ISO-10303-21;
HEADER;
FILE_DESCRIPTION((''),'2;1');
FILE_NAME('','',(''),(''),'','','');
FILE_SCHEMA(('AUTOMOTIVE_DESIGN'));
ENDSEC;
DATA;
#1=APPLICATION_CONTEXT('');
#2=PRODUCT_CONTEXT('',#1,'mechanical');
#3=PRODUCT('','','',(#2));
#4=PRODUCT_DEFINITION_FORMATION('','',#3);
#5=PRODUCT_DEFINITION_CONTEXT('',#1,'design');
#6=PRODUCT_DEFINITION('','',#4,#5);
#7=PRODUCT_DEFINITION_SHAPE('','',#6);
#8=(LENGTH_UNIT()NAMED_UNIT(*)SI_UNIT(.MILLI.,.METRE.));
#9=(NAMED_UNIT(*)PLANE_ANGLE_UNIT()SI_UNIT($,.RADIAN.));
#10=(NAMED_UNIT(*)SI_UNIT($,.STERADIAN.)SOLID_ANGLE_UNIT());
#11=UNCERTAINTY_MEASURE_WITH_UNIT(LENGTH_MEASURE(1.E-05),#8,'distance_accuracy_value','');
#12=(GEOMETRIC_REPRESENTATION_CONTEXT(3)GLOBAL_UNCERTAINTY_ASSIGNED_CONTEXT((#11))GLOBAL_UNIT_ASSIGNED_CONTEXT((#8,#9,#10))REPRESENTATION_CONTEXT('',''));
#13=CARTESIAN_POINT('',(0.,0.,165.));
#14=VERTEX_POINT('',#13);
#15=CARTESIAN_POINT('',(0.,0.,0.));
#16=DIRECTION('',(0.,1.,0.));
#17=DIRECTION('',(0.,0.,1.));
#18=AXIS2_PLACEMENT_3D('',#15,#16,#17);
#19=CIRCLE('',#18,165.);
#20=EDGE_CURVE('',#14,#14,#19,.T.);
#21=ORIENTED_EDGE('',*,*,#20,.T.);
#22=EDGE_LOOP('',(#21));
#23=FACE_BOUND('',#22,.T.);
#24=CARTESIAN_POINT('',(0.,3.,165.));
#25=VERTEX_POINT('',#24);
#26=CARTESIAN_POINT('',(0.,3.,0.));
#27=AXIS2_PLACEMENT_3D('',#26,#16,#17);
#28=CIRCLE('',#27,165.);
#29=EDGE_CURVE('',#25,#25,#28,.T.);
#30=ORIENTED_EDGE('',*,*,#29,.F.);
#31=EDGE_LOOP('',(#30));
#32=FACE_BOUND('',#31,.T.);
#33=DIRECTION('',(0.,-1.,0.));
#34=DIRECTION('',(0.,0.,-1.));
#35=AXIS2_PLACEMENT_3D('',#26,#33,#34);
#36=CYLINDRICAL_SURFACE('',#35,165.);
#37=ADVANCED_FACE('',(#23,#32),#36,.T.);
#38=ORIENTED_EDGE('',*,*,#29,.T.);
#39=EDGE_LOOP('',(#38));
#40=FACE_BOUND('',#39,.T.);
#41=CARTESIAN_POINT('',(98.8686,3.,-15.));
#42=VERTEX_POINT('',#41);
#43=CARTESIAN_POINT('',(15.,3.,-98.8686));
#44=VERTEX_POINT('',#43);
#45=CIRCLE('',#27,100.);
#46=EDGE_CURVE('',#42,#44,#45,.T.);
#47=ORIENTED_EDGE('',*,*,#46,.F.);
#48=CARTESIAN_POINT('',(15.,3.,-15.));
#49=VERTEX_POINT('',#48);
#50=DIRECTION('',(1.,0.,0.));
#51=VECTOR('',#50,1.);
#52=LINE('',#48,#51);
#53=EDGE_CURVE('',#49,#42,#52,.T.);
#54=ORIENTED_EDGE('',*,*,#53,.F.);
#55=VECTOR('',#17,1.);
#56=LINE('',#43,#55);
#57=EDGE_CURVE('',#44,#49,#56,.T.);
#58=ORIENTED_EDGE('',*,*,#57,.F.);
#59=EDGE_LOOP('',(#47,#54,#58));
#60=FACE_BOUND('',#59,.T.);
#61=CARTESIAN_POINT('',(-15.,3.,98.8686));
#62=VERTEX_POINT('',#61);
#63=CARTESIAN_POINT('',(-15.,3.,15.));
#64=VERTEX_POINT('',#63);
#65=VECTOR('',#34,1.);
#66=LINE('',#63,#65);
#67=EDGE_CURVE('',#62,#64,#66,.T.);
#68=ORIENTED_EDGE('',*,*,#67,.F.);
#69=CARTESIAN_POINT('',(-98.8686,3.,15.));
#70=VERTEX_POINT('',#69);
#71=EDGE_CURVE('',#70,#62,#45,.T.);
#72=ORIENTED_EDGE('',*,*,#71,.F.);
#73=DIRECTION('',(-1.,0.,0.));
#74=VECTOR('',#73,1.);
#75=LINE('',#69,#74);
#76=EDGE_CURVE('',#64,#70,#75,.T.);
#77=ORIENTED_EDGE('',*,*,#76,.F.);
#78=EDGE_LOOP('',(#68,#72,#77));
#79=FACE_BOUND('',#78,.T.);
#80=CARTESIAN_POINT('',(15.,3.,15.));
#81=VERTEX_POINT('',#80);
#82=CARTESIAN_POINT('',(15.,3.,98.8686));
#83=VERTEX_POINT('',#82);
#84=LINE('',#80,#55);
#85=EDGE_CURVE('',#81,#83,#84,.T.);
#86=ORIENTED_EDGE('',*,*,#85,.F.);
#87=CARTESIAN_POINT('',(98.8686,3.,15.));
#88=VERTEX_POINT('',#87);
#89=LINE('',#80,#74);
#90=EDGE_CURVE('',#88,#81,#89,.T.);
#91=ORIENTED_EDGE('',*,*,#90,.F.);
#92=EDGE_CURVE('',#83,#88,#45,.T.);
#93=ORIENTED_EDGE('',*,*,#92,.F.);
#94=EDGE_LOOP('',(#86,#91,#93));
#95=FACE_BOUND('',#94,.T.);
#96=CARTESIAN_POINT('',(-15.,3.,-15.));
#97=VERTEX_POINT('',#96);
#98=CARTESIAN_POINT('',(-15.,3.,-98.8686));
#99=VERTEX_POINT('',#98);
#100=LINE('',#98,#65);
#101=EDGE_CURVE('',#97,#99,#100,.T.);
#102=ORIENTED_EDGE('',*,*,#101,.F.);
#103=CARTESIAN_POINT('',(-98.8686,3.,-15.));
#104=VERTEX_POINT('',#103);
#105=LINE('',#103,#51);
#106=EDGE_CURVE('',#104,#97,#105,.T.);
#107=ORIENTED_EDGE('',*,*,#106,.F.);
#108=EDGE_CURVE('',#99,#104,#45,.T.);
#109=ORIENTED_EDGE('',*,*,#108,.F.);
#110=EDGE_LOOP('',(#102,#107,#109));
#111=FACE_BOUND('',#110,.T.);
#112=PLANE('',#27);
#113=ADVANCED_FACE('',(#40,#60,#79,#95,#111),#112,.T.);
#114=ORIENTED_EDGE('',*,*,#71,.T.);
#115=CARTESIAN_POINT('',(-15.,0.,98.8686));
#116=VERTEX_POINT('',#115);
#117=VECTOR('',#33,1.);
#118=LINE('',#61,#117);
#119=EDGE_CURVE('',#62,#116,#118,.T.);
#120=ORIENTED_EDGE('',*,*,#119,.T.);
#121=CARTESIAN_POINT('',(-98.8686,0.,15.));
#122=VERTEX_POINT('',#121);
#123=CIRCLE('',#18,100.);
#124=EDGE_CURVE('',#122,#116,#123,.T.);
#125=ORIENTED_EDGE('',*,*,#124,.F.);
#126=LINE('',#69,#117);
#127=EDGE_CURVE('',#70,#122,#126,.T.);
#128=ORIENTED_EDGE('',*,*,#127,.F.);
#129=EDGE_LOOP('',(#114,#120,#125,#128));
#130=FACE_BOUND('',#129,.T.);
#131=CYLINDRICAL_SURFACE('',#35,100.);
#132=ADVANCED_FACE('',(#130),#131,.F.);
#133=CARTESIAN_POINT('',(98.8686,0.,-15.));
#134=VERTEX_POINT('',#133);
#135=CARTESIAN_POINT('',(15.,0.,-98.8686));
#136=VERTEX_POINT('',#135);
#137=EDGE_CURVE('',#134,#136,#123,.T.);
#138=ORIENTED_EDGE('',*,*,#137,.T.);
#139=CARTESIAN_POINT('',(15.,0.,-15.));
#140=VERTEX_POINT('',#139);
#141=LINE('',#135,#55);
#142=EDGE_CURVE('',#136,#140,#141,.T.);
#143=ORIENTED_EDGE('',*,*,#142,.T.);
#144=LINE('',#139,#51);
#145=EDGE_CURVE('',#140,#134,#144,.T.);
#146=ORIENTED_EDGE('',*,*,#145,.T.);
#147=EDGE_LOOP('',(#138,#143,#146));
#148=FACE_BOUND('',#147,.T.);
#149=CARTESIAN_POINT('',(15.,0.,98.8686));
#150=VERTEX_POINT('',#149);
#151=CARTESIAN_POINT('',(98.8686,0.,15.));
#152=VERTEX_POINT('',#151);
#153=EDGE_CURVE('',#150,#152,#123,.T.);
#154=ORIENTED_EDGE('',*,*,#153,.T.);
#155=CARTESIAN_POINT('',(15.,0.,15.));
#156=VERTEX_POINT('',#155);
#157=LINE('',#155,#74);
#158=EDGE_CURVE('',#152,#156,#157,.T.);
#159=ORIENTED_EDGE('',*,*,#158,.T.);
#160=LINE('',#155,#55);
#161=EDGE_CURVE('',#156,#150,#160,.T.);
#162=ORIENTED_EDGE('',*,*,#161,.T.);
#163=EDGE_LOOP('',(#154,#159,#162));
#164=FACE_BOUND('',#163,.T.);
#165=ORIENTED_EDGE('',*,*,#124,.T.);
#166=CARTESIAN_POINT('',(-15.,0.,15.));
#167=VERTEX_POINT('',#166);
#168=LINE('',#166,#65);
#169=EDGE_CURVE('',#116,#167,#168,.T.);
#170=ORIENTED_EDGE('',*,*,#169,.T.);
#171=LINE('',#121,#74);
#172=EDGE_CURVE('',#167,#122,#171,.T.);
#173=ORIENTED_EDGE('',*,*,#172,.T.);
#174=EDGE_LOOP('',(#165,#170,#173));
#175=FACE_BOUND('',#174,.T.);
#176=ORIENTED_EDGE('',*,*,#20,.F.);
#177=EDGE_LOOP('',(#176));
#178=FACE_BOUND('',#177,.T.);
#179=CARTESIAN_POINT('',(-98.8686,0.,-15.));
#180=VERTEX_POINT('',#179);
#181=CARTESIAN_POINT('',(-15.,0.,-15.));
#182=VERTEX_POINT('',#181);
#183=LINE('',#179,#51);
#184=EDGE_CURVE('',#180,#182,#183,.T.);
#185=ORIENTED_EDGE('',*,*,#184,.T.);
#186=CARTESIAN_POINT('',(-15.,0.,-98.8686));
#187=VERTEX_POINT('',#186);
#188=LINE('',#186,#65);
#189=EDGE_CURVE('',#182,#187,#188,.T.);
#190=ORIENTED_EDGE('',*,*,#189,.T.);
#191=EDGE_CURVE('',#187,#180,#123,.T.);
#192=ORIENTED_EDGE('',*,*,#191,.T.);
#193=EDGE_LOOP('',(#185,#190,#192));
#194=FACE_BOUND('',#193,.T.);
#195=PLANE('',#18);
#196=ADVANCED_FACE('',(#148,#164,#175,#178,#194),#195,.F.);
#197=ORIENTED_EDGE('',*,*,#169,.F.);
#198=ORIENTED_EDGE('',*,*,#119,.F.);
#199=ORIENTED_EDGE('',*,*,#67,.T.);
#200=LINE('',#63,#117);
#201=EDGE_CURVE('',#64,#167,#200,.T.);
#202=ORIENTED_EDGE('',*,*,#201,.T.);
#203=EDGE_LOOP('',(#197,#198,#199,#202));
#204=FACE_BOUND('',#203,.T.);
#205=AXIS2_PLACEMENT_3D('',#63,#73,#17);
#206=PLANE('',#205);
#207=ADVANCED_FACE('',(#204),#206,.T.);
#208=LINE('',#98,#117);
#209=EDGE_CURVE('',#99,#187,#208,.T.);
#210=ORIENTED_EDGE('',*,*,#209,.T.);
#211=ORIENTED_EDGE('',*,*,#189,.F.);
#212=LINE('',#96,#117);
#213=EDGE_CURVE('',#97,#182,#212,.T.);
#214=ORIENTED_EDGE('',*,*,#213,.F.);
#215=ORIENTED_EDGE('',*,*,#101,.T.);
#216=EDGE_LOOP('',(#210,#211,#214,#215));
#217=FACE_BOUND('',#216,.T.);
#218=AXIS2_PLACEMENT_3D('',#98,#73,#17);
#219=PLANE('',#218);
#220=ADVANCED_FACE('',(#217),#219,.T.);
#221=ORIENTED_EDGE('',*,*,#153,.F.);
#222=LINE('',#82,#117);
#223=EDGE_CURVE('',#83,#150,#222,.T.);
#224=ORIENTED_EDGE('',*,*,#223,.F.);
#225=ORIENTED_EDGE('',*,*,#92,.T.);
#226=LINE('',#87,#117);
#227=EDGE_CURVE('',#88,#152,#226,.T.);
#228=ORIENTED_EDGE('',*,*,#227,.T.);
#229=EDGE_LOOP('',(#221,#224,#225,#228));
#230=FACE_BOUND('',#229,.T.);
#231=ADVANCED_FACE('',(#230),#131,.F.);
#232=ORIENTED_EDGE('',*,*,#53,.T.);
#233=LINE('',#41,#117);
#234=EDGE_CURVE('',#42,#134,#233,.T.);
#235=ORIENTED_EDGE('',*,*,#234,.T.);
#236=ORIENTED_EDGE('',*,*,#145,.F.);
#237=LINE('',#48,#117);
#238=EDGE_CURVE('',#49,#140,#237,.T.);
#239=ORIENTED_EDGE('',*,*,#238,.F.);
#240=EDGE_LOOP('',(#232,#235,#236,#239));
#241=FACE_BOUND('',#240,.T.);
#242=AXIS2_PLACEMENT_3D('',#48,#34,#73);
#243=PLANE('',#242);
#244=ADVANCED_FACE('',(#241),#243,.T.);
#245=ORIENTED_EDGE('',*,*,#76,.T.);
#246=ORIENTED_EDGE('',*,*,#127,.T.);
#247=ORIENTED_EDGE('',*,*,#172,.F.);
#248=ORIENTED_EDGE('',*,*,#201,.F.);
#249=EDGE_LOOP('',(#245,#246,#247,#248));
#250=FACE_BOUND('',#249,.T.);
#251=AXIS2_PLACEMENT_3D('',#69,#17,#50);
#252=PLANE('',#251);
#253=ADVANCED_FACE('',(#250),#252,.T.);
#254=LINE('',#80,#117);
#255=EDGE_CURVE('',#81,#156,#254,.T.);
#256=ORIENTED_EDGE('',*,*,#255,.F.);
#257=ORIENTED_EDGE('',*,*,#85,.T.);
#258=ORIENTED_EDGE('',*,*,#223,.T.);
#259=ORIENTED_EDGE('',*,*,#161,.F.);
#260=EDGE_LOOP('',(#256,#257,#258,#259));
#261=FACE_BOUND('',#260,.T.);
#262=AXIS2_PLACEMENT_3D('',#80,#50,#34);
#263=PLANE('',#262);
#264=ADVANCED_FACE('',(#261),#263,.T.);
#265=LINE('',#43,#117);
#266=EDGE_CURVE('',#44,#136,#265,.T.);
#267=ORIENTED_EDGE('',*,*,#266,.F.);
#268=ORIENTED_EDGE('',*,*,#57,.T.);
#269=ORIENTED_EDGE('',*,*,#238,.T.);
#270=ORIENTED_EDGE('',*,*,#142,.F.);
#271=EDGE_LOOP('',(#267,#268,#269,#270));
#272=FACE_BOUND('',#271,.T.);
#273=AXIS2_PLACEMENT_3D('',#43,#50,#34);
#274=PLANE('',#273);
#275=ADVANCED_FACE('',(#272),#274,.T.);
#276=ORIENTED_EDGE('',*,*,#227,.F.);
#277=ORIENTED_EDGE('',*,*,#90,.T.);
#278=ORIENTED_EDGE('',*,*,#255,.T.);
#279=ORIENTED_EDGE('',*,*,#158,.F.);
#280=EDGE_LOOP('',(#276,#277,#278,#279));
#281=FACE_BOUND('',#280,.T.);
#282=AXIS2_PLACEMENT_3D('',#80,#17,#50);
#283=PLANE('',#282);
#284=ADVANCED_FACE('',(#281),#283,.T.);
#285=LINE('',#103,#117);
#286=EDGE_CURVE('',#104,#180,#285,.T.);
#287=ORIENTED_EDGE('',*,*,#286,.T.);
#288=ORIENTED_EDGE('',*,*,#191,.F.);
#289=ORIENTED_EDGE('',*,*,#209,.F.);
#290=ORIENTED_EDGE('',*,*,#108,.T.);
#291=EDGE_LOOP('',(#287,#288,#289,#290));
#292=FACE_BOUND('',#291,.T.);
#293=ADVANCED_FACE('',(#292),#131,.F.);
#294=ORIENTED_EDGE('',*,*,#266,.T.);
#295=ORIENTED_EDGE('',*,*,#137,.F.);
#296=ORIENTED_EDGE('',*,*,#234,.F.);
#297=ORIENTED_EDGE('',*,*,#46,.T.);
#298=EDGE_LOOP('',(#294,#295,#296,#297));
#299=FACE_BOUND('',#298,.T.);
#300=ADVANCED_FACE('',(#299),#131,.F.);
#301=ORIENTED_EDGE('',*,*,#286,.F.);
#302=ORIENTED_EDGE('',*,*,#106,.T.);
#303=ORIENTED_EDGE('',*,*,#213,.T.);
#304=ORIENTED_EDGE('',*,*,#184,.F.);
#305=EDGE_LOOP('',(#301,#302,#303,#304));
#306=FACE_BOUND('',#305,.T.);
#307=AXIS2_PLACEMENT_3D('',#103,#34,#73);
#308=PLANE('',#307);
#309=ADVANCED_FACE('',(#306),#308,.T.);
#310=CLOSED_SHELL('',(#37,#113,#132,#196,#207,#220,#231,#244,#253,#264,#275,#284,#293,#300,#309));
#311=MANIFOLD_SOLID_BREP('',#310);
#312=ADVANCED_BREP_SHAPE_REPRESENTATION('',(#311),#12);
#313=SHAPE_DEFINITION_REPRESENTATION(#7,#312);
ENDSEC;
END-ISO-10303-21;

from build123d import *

# Parameters (mm, degrees)
SKETCH_1_R      = 165
EXTRUDE_1_DEPTH = 3


with BuildPart() as part:
    # 草图1 → 凸台-拉伸1 (new body)
    with BuildSketch(Plane(origin=(0, 0, 0), x_dir=(1, 0, 0), z_dir=(0, 1, 0))):
        with Locations(Location((0, 0, 0), (0, 0, 270))):
            Circle(SKETCH_1_R)
        with BuildLine():
            Line((-15, 98.868599666), (-15, 15))
            Line((-15, 15), (-98.868599666, 15))
            ThreePointArc((-98.868599666, 15), (-70.710678119, 70.710678119), (-15, 98.868599666))
        make_face(mode=Mode.SUBTRACT)
        with BuildLine():
            Line((15, 98.868599666), (15, 15))
            Line((15, 15), (98.868599666, 15))
            ThreePointArc((98.868599666, 15), (70.710678119, 70.710678119), (15, 98.868599666))
        make_face(mode=Mode.SUBTRACT)
        with BuildLine():
            Line((-98.868599666, -15), (-15, -15))
            Line((-15, -15), (-15, -98.868599666))
            ThreePointArc((-15, -98.868599666), (-70.710678119, -70.710678119), (-98.868599666, -15))
        make_face(mode=Mode.SUBTRACT)
        with BuildLine():
            Line((15, -15), (15, -98.868599666))
            ThreePointArc((15, -98.868599666), (70.710678119, -70.710678119), (98.868599666, -15))
            Line((98.868599666, -15), (15, -15))
        make_face(mode=Mode.SUBTRACT)
    extrude(amount=EXTRUDE_1_DEPTH)


solid = part.part
